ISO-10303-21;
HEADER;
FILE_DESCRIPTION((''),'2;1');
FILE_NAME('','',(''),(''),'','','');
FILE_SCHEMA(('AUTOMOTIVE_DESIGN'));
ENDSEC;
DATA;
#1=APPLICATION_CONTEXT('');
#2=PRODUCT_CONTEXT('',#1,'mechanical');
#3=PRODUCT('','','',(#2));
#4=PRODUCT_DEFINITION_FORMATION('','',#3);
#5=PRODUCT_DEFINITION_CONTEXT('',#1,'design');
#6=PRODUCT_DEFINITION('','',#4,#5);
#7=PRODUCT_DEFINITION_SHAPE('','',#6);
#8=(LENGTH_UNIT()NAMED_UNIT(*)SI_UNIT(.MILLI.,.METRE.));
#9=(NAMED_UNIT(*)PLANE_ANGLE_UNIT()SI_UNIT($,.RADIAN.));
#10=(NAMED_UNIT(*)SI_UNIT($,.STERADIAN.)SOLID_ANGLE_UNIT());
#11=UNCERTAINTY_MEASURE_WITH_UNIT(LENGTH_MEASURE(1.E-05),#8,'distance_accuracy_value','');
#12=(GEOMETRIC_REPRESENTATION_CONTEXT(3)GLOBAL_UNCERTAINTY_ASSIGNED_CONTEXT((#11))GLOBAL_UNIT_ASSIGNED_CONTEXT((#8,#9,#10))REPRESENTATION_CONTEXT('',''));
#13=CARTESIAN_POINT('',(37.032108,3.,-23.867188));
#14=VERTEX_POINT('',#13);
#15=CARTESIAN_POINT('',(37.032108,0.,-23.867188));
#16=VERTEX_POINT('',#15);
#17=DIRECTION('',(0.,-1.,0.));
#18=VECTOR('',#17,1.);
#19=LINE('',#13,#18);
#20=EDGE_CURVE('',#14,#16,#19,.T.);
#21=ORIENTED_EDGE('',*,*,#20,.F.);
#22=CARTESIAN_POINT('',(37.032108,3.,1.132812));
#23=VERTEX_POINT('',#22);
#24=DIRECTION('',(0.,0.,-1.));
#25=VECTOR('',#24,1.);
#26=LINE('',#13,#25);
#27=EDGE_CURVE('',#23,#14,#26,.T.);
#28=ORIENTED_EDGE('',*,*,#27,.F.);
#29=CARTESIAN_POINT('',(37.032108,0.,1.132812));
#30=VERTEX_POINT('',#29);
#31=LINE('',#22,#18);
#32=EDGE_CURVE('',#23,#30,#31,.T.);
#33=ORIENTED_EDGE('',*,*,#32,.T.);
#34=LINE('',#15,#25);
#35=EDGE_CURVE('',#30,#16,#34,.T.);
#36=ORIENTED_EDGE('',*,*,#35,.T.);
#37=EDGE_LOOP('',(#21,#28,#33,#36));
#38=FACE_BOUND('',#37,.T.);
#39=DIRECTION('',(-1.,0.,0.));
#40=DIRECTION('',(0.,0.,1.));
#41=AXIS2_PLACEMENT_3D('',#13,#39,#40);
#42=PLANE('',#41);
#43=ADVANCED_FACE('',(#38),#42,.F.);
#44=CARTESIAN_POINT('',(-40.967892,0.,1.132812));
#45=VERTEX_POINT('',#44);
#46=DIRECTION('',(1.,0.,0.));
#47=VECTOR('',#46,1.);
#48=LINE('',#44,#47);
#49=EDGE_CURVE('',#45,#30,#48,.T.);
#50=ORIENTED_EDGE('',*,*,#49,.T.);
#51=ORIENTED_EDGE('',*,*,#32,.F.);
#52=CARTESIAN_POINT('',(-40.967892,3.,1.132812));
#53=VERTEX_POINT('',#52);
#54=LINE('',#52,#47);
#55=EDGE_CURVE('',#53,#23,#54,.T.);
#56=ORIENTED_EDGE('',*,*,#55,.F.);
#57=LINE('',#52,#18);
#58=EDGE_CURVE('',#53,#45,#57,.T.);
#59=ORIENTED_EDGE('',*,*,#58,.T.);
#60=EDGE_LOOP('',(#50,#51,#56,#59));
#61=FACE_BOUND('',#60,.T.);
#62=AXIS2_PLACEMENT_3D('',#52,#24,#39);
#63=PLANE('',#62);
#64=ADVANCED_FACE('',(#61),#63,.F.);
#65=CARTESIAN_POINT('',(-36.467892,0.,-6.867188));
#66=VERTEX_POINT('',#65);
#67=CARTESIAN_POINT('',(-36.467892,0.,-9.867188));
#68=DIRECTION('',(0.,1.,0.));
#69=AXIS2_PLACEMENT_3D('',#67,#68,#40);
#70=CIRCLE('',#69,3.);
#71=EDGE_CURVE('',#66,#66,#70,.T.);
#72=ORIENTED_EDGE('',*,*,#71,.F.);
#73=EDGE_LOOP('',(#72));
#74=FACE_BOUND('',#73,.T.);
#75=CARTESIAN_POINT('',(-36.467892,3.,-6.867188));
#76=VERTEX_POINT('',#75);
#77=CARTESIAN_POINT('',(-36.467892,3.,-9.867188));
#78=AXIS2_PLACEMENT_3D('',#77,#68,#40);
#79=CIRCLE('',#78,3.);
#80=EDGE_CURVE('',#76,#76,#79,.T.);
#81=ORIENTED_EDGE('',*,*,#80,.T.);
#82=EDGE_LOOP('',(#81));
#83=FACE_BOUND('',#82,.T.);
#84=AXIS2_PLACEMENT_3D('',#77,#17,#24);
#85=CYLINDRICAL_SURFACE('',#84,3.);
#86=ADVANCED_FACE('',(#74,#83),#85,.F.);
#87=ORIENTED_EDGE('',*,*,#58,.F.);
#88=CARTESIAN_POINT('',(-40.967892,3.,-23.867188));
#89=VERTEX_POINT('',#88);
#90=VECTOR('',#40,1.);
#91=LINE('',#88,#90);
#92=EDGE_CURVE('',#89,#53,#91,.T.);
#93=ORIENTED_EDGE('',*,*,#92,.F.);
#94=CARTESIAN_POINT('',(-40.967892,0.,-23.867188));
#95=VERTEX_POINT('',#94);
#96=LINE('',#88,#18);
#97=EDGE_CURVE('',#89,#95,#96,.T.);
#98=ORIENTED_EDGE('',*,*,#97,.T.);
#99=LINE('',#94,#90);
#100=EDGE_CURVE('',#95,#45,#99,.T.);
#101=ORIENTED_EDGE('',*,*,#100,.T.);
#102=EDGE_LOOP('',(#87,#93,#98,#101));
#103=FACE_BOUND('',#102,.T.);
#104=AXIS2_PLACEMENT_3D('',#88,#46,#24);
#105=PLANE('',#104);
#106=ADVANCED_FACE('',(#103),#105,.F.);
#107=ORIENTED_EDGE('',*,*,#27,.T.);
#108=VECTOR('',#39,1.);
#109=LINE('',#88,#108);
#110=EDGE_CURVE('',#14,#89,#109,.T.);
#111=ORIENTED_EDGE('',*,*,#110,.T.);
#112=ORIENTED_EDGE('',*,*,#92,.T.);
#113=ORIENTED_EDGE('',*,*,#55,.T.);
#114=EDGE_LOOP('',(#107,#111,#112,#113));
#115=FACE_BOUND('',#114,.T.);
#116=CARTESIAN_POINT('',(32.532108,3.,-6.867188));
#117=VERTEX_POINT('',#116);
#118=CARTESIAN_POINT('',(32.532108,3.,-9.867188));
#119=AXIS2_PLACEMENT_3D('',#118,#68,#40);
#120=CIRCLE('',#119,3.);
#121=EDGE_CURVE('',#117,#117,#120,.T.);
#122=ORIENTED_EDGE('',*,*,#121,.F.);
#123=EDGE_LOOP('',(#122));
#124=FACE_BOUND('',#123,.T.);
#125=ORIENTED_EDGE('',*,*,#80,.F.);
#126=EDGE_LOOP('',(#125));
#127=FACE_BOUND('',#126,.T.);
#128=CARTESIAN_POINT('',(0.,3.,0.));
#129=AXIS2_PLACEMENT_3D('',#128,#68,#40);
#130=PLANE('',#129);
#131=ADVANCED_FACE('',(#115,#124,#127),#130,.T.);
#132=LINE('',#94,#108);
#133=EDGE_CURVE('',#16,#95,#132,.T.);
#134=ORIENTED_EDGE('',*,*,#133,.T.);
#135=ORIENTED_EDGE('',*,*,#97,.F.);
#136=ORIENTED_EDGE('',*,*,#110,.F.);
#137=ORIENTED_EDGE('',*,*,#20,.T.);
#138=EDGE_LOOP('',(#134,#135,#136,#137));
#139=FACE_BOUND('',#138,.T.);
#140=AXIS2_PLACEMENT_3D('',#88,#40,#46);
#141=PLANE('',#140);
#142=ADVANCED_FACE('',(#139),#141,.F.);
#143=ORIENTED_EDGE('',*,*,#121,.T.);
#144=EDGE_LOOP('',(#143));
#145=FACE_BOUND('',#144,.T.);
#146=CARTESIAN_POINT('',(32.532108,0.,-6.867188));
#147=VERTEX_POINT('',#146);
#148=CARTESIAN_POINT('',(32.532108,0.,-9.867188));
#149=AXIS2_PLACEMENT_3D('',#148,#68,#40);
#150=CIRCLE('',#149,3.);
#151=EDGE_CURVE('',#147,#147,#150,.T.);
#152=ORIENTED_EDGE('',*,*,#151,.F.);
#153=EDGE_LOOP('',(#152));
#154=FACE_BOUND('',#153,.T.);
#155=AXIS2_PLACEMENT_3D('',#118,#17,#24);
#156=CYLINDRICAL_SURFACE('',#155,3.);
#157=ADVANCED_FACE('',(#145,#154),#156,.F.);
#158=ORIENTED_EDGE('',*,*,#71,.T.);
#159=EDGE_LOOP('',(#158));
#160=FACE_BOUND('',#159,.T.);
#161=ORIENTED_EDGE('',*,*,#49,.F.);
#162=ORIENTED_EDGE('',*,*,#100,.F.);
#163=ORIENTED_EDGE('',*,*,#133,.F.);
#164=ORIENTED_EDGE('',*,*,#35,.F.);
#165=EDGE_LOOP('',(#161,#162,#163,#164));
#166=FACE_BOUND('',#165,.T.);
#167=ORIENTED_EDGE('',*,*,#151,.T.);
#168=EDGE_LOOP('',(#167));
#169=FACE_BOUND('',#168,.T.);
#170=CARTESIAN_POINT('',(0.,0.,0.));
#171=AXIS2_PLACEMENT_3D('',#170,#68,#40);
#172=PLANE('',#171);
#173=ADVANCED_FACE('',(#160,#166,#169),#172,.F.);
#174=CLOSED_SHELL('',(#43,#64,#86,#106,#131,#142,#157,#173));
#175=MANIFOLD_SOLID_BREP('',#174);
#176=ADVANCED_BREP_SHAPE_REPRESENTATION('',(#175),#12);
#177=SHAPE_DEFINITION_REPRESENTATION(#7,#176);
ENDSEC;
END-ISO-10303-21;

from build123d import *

# Parameters (mm, degrees)
SKETCH1_W           = 78
SKETCH1_H           = 25
SKETCH1_R           = 3
BOSS_EXTRUDE1_DEPTH = 3


with BuildPart() as part:
    # Sketch1 → Boss-Extrude1 (new body)
    with BuildSketch(Plane(origin=(0, 0, 0), x_dir=(1, 0, 0), z_dir=(0, 1, 0))):
        with Locations((-1.967892085, 11.3671875)):
            Rectangle(SKETCH1_W, SKETCH1_H)
        with Locations((-36.467892085, 9.8671875)):
            Circle(SKETCH1_R, mode=Mode.SUBTRACT)
        with Locations((32.532107915, 9.8671875)):
            Circle(SKETCH1_R, mode=Mode.SUBTRACT)
    extrude(amount=BOSS_EXTRUDE1_DEPTH)


solid = part.part
